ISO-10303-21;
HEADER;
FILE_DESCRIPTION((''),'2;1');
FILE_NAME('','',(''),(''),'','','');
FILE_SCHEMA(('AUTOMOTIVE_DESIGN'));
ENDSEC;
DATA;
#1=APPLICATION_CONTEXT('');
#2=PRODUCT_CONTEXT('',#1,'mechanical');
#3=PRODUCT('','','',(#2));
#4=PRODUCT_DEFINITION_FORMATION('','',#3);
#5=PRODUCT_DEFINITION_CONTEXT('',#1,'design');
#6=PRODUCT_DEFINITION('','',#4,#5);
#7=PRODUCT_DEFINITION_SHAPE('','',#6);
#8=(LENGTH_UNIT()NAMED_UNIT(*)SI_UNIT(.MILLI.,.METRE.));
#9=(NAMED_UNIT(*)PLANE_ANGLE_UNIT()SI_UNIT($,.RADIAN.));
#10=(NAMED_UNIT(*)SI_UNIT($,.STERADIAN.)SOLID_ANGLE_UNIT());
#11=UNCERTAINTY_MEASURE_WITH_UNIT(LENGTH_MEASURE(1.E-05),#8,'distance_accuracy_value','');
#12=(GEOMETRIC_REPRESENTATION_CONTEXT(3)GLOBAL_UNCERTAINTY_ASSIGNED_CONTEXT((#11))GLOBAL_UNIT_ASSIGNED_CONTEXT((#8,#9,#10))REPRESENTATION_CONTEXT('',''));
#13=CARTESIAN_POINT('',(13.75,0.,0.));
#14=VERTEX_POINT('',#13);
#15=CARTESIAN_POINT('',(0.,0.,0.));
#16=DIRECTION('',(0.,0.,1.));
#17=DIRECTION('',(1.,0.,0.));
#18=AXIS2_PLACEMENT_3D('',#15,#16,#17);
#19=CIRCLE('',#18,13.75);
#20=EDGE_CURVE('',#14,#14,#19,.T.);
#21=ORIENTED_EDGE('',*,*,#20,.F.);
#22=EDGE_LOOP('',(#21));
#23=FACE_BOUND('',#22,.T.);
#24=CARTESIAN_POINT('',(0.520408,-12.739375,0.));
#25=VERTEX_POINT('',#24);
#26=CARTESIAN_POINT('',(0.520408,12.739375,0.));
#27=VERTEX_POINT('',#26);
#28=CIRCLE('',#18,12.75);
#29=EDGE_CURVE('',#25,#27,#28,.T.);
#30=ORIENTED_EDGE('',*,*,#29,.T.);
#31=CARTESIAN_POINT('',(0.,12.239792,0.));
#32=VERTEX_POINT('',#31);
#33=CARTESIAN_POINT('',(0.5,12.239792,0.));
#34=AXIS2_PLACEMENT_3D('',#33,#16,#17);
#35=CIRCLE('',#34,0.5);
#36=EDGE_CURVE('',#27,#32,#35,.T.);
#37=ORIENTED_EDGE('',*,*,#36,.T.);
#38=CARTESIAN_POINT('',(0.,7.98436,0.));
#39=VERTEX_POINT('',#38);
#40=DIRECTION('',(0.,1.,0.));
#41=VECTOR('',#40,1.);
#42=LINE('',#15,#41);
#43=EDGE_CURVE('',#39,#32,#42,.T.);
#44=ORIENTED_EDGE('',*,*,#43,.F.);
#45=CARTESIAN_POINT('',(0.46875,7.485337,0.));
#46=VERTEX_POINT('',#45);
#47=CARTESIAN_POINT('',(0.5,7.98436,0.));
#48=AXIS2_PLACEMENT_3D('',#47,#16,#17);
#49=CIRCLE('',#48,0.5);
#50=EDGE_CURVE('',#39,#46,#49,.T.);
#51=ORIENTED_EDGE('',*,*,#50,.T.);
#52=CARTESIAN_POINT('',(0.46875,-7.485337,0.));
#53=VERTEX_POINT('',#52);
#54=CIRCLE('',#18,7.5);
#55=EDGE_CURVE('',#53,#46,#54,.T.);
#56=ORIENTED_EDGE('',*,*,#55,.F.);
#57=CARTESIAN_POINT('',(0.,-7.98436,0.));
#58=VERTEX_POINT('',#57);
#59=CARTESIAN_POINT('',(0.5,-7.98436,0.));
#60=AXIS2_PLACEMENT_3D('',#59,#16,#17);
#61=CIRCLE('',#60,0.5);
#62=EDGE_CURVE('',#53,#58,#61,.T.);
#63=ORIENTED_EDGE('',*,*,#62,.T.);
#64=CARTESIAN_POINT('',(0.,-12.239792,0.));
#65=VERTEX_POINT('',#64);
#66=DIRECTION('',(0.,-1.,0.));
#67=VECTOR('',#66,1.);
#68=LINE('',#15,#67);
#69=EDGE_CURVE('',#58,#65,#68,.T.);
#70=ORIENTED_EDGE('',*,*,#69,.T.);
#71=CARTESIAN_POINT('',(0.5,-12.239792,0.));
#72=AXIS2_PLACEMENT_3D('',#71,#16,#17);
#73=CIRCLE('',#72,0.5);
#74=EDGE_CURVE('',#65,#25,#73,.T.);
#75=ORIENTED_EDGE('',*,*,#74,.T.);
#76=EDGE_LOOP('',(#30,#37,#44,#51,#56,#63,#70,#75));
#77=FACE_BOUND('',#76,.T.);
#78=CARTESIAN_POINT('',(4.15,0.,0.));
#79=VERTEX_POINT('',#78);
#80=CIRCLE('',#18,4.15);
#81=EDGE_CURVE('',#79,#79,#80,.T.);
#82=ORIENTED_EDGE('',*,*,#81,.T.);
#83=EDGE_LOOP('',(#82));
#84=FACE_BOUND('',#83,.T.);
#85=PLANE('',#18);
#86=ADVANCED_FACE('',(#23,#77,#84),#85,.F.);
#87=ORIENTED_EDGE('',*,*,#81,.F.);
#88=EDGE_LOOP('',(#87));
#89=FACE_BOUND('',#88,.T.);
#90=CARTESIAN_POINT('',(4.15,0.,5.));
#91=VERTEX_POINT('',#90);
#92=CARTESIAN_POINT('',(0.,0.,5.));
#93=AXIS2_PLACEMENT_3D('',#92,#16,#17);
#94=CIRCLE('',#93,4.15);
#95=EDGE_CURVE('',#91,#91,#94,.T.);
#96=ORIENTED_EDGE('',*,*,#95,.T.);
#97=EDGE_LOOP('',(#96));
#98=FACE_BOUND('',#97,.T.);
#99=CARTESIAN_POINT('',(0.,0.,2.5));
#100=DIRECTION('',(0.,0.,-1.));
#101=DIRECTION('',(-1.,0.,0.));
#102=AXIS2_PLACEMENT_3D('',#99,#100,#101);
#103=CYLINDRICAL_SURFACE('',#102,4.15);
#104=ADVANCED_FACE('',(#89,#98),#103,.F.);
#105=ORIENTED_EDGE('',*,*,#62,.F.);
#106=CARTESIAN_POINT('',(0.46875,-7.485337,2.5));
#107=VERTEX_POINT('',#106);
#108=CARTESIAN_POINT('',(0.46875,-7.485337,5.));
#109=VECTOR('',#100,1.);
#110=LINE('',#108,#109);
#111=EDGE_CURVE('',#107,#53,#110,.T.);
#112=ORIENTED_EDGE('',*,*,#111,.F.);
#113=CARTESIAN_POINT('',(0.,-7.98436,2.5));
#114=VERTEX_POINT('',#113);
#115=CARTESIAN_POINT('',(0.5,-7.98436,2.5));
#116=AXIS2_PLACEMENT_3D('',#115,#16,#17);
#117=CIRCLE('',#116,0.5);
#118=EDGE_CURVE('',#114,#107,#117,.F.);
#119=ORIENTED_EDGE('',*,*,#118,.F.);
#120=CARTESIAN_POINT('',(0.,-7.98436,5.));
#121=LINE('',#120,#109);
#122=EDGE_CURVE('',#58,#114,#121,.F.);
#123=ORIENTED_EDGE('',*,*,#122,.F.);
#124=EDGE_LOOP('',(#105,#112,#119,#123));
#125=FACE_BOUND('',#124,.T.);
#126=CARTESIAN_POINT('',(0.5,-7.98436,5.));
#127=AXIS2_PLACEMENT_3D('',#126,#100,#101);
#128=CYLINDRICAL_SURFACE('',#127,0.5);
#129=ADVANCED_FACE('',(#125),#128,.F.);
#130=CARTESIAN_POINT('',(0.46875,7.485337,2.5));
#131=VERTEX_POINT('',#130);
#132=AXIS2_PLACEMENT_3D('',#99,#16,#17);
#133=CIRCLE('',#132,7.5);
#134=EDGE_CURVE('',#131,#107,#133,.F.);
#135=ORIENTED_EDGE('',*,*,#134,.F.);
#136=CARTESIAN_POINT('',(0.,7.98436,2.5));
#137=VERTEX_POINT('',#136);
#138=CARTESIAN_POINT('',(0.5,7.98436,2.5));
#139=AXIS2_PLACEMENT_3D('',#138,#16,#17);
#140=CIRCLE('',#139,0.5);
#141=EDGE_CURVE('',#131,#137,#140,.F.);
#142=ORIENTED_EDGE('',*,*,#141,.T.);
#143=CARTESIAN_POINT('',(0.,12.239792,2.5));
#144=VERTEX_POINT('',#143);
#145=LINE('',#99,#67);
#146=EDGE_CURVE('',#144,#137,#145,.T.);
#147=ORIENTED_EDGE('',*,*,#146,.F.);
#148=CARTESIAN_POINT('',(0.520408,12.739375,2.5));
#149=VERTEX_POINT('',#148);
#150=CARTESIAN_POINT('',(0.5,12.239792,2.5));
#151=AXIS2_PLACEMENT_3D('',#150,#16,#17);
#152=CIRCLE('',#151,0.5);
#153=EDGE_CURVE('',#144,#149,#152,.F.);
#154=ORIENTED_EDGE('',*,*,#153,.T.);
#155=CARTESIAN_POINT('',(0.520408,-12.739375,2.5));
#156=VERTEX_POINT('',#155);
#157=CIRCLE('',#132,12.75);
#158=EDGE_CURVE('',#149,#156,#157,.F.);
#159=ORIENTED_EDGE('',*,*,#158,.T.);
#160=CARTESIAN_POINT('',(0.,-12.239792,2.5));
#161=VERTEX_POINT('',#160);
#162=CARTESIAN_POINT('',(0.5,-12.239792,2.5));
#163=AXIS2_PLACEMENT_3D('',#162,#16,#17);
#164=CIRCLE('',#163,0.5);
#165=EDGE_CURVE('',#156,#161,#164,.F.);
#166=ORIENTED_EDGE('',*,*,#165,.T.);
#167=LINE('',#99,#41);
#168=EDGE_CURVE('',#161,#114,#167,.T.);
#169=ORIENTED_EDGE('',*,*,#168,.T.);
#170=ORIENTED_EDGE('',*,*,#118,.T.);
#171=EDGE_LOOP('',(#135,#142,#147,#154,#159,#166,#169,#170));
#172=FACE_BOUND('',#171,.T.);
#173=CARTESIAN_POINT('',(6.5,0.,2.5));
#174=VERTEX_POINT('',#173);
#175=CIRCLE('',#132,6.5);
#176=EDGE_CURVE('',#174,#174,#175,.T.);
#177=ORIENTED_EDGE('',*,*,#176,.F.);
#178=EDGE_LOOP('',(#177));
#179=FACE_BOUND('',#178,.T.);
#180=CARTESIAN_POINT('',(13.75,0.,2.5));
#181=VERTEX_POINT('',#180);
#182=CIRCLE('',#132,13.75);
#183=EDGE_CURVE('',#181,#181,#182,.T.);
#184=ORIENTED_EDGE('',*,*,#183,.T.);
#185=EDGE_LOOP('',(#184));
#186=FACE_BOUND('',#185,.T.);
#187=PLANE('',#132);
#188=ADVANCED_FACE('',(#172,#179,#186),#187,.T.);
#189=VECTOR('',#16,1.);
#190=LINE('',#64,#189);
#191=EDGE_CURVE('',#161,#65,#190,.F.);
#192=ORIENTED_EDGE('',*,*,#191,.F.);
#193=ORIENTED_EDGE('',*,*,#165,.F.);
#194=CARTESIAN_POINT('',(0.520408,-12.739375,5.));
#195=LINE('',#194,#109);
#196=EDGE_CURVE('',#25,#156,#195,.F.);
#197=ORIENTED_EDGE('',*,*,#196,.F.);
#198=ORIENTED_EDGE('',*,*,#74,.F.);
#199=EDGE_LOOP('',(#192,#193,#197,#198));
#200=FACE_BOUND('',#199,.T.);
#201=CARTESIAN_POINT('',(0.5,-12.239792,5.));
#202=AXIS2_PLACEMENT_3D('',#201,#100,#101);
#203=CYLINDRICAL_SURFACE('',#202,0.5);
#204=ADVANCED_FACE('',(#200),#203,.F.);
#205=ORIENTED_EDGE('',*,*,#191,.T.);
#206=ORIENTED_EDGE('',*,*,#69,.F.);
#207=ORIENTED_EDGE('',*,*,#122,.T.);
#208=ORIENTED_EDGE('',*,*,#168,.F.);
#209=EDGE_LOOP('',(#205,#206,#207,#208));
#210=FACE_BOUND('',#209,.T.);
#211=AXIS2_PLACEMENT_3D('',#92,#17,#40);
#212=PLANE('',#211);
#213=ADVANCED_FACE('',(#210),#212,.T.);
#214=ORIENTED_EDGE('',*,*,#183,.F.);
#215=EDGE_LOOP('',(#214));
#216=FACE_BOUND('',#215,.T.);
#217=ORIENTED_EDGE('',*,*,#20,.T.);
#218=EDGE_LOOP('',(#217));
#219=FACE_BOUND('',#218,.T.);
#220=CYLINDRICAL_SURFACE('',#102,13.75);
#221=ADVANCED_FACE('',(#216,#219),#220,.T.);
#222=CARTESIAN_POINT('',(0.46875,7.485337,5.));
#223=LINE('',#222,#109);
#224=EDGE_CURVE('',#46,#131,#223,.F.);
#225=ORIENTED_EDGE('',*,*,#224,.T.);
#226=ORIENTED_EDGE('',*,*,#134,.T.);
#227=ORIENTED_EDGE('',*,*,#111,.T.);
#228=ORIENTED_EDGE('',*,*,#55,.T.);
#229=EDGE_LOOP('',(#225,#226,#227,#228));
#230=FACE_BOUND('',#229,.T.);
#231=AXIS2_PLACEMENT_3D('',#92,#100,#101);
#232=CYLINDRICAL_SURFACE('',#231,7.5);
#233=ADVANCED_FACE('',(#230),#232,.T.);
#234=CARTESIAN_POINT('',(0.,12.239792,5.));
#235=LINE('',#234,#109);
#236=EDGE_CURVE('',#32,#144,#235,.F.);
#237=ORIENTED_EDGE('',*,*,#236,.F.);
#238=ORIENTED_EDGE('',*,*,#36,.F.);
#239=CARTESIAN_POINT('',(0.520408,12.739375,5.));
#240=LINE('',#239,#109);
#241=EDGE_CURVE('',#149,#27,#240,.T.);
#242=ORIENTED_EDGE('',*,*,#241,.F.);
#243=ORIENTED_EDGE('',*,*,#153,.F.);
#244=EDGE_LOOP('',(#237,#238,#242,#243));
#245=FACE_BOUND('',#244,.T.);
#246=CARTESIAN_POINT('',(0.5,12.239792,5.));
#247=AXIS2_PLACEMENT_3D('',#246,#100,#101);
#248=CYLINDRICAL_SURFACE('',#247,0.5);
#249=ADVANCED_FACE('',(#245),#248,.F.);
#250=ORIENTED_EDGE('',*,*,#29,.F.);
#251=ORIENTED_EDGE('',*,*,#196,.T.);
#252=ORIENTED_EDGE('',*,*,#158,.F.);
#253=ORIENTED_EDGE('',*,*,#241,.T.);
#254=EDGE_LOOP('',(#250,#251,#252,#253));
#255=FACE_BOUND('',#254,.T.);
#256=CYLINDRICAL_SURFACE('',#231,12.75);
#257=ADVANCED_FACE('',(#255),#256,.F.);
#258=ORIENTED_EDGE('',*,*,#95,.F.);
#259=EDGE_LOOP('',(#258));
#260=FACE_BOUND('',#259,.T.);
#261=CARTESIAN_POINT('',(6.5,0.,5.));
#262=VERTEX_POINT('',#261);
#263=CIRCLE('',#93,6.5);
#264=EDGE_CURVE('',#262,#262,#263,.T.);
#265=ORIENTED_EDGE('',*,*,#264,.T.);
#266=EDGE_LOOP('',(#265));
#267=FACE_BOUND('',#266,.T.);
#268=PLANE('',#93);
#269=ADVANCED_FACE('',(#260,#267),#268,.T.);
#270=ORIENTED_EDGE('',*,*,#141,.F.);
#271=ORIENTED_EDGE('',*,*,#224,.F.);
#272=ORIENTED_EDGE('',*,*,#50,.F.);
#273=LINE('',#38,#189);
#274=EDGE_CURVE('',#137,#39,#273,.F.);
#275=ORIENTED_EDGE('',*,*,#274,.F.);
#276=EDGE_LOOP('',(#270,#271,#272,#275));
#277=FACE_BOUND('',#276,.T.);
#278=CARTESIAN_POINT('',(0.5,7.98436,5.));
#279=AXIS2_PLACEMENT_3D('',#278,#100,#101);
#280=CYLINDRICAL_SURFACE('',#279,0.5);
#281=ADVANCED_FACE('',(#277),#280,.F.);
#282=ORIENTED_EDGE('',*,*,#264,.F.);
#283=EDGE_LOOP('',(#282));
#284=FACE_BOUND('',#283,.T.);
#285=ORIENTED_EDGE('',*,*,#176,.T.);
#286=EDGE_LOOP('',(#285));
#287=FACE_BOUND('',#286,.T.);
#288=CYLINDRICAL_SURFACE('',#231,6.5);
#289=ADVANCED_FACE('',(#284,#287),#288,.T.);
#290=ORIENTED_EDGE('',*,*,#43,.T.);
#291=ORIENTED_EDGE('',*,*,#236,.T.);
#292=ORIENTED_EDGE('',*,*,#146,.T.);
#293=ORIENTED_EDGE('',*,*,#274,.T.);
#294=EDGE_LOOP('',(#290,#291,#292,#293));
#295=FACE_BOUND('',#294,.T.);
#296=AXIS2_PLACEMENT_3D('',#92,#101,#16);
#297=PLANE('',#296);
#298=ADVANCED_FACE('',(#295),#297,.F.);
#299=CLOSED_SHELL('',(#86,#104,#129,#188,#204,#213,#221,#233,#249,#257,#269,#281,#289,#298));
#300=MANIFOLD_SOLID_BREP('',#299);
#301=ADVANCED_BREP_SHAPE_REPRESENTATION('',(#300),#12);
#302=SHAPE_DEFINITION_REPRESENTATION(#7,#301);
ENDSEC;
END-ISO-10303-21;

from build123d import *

# Parameters (mm, degrees)
SKETCH1_R           = 13.75
SKETCH1_R_2         = 4.15
BOSS_EXTRUDE1_DEPTH = 2.5
SKETCH2_R           = 6.5
SKETCH2_R_2         = 4.15
BOSS_EXTRUDE2_DEPTH = 2.5
CUT_EXTRUDE1_DEPTH  = 21.077973005
FILLET1_R           = 0.5


with BuildPart() as part:
    # Sketch1 → Boss-Extrude1 (new body)
    with BuildSketch(Plane.XY):
        Circle(SKETCH1_R)
        Circle(SKETCH1_R_2, mode=Mode.SUBTRACT)
    extrude(amount=BOSS_EXTRUDE1_DEPTH)

    # Sketch2 → Boss-Extrude2 (add)
    with BuildSketch(Plane.XY.offset(2.5)):
        Circle(SKETCH2_R)
        Circle(SKETCH2_R_2, mode=Mode.SUBTRACT)
    extrude(amount=BOSS_EXTRUDE2_DEPTH)

    # Sketch5 → Cut-Extrude1 (cut, through all)
    with BuildSketch(Plane.XY):
        with BuildLine():
            Line((0, 12.75), (0, 7.5))
            ThreePointArc((0, 7.5), (5.303300859, 5.303300859), (7.5, 0))
            ThreePointArc((7.5, 0), (5.303300859, -5.303300859), (0, -7.5))
            Line((0, -7.5), (0, -12.75))
            ThreePointArc((0, -12.75), (9.01561146, -9.01561146), (12.75, 0))
            ThreePointArc((12.75, 0), (9.01561146, 9.01561146), (0, 12.75))
        make_face()
    extrude(amount=CUT_EXTRUDE1_DEPTH, mode=Mode.SUBTRACT)

    # Fillet1
    fillet1_edges = [part.edges().sort_by_distance(p)[0] for p in [
        (0, 7.5, 1.25),
        (0, -7.5, 1.25),
        (0, -12.75, 1.25),
        (0, 12.75, 1.25),
    ]]
    fillet(fillet1_edges, radius=FILLET1_R)


solid = part.part
